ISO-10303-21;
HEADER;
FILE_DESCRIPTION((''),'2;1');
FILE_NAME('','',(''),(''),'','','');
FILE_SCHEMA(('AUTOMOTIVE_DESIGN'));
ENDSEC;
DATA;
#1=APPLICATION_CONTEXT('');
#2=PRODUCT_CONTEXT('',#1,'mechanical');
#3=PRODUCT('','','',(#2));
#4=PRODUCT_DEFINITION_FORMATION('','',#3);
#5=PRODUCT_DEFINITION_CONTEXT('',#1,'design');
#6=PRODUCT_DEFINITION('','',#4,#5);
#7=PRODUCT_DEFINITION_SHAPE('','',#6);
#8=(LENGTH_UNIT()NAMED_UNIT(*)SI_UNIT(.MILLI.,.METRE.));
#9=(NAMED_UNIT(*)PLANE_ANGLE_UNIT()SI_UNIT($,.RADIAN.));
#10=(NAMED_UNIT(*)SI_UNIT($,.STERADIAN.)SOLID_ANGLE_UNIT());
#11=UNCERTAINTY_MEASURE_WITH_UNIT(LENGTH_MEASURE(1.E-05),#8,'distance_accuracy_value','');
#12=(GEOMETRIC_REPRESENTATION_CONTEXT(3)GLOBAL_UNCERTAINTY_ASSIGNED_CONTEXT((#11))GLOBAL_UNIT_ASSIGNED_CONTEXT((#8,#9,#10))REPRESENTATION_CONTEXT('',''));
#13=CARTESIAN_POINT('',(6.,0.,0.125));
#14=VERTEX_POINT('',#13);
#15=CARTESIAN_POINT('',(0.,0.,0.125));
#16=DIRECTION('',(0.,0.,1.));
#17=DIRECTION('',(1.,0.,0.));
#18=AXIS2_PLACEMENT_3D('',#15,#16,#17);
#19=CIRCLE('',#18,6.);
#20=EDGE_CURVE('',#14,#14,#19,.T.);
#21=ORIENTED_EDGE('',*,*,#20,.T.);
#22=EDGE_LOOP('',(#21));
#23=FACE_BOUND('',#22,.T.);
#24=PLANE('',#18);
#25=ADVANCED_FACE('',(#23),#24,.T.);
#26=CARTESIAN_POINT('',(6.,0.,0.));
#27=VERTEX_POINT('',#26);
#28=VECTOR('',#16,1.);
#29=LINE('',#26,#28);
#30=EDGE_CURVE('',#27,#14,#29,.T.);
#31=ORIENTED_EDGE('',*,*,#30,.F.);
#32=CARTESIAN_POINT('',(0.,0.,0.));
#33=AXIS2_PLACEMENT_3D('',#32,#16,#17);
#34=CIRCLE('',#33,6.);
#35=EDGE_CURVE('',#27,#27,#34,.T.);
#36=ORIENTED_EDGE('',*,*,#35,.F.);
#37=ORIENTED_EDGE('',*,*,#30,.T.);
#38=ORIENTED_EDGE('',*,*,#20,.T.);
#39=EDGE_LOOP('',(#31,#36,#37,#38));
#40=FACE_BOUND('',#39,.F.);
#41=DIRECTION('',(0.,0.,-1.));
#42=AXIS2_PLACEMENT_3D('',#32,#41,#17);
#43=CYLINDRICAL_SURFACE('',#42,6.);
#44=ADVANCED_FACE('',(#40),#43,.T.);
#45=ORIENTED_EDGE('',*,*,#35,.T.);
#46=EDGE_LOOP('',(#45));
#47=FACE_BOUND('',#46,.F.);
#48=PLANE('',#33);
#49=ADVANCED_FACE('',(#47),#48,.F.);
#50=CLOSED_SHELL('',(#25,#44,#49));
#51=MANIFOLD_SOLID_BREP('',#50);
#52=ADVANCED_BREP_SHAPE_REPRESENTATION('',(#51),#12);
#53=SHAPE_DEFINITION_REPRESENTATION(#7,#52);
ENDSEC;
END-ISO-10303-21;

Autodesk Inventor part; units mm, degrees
ref_plane "YZ Plane" through (0, 0, 0) normal (1, 0, 0) x (0, 1, 0)
ref_plane "XZ Plane" through (0, 0, 0) normal (0, 1, 0) x (-1, 0, 0)
ref_plane "XY Plane" through (0, 0, 0) normal (0, 0, 1) x (1, 0, 0)
sketch "Sketch1" plane through (0, 0, 0) normal (0, 0, 1) x (1, 0, 0)
  circle A0 centre (0, 0) radius 6
  dimension "d0" = 12
extrude "Extrusion1" add sketch "Sketch1" along normal blind 0.125
properties part number "00_roundcoverslip_12mm"
